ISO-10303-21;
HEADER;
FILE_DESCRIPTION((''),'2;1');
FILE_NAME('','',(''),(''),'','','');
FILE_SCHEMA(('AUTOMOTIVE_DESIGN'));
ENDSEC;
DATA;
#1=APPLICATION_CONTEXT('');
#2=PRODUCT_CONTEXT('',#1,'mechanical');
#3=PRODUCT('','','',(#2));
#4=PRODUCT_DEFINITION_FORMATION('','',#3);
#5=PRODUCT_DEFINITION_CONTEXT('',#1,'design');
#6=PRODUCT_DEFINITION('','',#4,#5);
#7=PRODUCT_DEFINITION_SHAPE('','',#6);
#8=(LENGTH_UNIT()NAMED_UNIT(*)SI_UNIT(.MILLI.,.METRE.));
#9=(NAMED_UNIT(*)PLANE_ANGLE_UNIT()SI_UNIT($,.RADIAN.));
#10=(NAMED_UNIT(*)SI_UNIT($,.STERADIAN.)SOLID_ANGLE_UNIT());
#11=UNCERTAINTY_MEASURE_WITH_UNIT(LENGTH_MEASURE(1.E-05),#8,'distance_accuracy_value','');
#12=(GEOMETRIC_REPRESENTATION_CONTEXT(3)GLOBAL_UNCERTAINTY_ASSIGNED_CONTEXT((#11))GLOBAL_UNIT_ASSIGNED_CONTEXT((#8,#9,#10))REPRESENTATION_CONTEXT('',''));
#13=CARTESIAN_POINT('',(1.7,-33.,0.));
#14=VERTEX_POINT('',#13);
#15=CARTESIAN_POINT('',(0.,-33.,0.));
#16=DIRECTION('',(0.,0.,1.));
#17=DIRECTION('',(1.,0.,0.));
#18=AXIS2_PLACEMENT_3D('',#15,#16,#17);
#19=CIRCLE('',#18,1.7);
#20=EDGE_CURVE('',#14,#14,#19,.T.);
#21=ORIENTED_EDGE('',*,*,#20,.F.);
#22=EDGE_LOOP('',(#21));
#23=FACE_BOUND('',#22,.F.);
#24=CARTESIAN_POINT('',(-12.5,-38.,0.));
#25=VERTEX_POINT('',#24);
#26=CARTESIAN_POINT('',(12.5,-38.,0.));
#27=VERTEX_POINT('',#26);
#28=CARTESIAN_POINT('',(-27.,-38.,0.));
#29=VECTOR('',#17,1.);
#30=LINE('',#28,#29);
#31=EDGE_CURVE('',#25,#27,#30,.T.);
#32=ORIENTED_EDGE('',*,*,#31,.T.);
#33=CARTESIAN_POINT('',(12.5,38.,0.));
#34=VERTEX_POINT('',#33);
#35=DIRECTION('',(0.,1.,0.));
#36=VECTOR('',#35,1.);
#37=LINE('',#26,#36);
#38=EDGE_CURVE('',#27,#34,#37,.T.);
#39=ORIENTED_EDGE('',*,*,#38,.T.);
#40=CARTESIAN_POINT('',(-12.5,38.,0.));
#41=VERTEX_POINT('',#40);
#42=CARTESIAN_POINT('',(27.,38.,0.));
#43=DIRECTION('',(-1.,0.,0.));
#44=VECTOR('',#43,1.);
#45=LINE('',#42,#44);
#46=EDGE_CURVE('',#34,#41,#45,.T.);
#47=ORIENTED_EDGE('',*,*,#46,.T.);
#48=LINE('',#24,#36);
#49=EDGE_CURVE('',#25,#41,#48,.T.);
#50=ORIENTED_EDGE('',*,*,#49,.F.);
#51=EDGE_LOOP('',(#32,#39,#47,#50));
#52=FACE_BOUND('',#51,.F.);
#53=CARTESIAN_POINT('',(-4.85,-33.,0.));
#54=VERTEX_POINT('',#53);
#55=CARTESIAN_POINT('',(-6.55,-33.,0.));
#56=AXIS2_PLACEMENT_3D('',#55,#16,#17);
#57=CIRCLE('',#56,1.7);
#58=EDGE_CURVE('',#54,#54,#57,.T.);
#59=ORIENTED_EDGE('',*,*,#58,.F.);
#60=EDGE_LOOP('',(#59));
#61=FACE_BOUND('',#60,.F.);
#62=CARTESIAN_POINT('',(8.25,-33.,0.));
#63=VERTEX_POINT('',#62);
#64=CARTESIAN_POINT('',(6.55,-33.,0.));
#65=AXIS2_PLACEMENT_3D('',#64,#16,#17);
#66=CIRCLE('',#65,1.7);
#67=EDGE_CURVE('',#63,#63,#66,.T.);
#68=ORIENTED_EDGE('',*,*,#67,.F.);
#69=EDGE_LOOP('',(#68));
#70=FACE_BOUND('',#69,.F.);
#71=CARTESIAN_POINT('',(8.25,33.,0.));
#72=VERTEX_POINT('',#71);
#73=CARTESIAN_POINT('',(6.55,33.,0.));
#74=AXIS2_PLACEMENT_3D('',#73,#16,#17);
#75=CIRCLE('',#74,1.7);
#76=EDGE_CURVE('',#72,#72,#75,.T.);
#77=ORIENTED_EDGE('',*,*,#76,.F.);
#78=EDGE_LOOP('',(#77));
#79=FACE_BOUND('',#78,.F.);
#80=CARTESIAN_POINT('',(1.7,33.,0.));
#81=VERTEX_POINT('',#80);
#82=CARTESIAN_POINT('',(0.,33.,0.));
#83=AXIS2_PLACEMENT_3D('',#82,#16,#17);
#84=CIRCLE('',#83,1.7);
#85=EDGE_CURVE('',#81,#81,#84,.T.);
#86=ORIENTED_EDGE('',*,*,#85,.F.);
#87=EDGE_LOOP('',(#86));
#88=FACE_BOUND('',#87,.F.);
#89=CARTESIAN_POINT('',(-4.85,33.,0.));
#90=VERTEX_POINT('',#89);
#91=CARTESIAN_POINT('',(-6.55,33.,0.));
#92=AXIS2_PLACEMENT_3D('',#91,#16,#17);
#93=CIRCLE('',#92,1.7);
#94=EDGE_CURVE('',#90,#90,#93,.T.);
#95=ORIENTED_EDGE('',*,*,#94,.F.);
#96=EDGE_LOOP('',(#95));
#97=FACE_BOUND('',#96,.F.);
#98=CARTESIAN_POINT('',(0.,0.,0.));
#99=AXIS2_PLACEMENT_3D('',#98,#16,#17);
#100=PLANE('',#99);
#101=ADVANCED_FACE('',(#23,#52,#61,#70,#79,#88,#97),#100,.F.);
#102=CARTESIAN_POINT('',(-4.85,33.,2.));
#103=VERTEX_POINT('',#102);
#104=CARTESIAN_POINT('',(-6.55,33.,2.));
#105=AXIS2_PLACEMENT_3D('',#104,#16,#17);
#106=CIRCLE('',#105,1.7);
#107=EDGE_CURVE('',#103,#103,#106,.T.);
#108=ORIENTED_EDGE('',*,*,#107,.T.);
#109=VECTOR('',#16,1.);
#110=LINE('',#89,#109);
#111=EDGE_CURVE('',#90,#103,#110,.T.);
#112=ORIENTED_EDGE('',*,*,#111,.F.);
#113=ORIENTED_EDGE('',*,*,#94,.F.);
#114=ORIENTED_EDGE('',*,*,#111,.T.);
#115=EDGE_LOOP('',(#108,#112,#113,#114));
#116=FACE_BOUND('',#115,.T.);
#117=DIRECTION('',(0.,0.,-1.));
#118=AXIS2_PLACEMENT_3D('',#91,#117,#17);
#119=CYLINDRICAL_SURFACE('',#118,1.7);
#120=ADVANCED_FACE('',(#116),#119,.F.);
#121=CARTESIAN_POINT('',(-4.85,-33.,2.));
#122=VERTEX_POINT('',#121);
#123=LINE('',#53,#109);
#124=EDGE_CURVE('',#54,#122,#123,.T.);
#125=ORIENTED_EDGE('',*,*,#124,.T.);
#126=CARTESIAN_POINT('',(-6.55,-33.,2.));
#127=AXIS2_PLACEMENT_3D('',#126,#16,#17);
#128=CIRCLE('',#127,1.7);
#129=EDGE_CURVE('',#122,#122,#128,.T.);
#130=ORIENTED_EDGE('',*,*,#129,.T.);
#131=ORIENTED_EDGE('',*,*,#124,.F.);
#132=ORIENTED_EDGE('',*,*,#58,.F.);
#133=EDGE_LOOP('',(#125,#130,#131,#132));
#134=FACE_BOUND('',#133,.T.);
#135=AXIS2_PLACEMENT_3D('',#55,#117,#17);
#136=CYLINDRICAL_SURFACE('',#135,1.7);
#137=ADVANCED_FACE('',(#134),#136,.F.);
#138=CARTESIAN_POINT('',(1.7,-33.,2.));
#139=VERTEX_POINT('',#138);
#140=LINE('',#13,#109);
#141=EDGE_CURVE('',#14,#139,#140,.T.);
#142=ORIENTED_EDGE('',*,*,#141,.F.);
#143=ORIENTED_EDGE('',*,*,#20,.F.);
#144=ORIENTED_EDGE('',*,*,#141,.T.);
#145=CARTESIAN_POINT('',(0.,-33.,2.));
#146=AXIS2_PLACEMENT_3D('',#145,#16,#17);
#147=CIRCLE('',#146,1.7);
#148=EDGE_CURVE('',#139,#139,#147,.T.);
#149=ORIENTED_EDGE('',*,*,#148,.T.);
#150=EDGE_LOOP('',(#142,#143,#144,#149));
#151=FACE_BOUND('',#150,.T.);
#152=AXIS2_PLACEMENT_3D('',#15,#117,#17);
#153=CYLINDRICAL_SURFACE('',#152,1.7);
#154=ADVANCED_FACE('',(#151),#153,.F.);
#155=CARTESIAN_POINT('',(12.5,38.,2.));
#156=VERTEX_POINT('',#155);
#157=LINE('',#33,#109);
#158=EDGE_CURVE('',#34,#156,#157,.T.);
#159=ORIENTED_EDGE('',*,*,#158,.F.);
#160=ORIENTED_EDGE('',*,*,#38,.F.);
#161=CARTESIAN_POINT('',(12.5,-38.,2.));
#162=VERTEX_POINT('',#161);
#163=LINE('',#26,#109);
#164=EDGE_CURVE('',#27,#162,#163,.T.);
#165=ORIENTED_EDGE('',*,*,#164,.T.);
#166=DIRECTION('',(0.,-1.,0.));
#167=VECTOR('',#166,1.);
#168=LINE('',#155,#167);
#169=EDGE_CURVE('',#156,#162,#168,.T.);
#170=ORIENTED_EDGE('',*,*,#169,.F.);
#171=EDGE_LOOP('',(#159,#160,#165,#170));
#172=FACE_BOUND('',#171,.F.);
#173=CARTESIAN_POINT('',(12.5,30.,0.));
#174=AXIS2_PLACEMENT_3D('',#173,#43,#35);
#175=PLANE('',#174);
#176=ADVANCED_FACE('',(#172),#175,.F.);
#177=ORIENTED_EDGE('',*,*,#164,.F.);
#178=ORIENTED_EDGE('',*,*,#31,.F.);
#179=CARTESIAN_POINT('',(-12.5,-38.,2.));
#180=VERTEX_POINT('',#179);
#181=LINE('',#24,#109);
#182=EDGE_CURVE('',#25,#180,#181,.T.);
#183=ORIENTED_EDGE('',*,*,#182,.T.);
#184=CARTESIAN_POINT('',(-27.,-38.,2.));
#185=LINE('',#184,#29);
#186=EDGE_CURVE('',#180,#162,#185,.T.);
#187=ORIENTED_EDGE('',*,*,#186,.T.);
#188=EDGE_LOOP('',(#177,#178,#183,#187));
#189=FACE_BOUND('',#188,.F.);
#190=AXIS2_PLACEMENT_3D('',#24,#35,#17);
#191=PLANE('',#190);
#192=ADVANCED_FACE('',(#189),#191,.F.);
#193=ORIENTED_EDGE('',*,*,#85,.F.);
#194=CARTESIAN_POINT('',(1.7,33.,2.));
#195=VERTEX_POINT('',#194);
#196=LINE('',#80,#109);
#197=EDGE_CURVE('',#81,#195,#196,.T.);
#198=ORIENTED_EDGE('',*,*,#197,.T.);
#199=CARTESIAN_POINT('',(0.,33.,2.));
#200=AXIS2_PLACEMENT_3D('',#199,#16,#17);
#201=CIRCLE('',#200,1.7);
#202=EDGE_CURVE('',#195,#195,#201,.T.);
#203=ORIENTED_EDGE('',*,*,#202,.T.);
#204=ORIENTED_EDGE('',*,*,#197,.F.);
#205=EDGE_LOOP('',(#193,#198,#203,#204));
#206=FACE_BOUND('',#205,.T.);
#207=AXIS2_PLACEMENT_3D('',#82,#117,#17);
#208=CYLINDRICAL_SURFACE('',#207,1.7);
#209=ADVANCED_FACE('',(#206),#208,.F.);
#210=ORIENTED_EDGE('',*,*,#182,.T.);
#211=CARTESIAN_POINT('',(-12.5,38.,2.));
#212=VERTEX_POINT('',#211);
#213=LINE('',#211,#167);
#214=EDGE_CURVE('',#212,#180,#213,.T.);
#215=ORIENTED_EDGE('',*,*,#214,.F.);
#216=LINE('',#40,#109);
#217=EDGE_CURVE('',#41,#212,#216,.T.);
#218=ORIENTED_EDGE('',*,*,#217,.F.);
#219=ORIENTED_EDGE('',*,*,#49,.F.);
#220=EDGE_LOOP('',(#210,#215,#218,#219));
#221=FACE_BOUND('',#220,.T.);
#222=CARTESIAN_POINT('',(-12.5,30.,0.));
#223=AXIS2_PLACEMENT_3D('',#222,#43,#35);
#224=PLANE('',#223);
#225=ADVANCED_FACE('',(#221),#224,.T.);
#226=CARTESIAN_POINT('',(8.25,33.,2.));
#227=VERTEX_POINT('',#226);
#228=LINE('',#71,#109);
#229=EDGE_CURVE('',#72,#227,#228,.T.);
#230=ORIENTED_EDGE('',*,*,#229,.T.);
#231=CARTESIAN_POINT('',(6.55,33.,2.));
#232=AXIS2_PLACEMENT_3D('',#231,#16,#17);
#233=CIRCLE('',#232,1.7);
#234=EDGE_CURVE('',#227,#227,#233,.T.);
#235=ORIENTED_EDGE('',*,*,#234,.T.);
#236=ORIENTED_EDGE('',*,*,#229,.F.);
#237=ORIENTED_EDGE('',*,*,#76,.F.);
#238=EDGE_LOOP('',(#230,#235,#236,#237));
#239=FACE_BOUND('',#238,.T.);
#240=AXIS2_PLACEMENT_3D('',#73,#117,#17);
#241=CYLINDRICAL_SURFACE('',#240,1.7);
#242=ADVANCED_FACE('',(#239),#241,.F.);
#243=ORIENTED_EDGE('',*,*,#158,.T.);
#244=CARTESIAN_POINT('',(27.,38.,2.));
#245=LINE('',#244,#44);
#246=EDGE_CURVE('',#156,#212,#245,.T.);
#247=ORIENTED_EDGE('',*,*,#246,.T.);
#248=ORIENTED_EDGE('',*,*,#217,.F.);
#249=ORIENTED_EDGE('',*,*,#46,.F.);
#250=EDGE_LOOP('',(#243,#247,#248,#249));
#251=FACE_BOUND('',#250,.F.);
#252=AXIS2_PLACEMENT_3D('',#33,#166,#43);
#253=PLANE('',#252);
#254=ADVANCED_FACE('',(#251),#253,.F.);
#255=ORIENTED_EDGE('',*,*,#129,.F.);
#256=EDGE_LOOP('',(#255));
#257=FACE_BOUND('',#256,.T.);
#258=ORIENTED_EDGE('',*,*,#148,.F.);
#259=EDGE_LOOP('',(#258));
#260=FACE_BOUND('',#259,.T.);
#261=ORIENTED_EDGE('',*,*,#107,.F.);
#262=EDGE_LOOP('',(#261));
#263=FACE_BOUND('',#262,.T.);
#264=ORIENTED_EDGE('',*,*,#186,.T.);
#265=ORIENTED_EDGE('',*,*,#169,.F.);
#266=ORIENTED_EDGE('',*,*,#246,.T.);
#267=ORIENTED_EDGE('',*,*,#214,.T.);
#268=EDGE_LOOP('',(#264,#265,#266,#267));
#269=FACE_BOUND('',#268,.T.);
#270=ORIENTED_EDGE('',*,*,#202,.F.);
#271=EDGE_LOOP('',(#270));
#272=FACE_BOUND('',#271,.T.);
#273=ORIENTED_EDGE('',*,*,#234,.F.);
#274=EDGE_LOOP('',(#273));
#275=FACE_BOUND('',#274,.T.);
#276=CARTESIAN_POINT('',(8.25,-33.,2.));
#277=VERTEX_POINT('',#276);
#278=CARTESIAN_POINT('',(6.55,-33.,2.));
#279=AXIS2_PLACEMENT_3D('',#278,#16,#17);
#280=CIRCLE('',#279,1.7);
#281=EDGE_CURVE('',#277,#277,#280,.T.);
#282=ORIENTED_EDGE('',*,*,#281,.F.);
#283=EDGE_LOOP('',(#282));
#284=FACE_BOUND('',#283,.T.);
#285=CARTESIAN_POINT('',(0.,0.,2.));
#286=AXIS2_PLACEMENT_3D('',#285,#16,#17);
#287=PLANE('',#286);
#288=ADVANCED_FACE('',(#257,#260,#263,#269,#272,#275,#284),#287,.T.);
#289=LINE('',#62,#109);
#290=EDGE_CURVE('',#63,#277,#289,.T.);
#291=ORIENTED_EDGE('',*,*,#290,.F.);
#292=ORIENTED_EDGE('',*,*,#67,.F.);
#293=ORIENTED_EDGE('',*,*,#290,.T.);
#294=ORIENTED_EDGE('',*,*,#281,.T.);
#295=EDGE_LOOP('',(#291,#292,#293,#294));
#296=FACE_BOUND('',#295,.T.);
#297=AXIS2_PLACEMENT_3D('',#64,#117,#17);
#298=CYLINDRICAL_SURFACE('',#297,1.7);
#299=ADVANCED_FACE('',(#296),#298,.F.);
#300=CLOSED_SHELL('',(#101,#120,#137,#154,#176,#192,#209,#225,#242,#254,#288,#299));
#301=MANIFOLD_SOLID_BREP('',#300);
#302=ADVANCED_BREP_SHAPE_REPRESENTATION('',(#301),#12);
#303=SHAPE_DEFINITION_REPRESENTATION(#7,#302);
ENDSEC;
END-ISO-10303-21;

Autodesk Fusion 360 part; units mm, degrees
sketch "Sketch1" plane through (0, 0, 0) normal (0, 0, 1) x (1, 0, 0)
  line L0 (27, 38) -> (-27, 38)
  line L1 (-27, 38) -> (-27, -38)
  line L2 (-27, -38) -> (27, -38)
  line L3 (27, -38) -> (27, 38)
  line L4 (27, 38) -> (-27, -38) construction
  line L5 (-27, 38) -> (27, -38) construction
  line L6 (-27, 30) -> (27, 30)
  line L7 (0, 0) -> (5, 0)
  line L8 (0, 0) -> (0, 6)
  line L9 (-27, -30) -> (27, -30)
  line L10 (-12.5, 30) -> (-12.5, -30)
  line L11 (12.5, 30) -> (12.5, -30)
  line L12 (-12.5, 30) -> (-12.5, 38)
  line L13 (12.5, 30) -> (12.5, 38)
  circle A0 centre (0, 33) radius 1.7
  circle A1 centre (0, -33) radius 1.7
  line L14 (-12.5, -30) -> (-12.5, -38)
  line L15 (12.5, -30) -> (12.5, -38)
  circle A2 centre (-20.55, 33) radius 1.7
  circle A3 centre (-6.55, 33) radius 1.7
  circle A4 centre (20.55, 33) radius 1.7
  circle A5 centre (6.55, 33) radius 1.7
  circle A6 centre (-20.55, -33) radius 1.7
  circle A7 centre (-6.55, -33) radius 1.7
  circle A8 centre (6.55, -33) radius 1.7
  circle A9 centre (20.55, -33) radius 1.7
  dimension "d1" = 8
  dimension "d2" = 25
  dimension "d3" = 25
  dimension "d5" = 5
  dimension "d6" = 3.4
  dimension "d9" = 14
  dimension "d10" = 20.55
  dimension "d13" = 60
  dimension "d14" = 54
extrude "Extrude1" add sketch "Sketch1" along normal blind 2 contours L0 L6 L12 L13 | L6 L9 L10 L11 | L2 L9 L14 L15
equation "d10 = ( 41.1 / 2 ) * 1 mm"
